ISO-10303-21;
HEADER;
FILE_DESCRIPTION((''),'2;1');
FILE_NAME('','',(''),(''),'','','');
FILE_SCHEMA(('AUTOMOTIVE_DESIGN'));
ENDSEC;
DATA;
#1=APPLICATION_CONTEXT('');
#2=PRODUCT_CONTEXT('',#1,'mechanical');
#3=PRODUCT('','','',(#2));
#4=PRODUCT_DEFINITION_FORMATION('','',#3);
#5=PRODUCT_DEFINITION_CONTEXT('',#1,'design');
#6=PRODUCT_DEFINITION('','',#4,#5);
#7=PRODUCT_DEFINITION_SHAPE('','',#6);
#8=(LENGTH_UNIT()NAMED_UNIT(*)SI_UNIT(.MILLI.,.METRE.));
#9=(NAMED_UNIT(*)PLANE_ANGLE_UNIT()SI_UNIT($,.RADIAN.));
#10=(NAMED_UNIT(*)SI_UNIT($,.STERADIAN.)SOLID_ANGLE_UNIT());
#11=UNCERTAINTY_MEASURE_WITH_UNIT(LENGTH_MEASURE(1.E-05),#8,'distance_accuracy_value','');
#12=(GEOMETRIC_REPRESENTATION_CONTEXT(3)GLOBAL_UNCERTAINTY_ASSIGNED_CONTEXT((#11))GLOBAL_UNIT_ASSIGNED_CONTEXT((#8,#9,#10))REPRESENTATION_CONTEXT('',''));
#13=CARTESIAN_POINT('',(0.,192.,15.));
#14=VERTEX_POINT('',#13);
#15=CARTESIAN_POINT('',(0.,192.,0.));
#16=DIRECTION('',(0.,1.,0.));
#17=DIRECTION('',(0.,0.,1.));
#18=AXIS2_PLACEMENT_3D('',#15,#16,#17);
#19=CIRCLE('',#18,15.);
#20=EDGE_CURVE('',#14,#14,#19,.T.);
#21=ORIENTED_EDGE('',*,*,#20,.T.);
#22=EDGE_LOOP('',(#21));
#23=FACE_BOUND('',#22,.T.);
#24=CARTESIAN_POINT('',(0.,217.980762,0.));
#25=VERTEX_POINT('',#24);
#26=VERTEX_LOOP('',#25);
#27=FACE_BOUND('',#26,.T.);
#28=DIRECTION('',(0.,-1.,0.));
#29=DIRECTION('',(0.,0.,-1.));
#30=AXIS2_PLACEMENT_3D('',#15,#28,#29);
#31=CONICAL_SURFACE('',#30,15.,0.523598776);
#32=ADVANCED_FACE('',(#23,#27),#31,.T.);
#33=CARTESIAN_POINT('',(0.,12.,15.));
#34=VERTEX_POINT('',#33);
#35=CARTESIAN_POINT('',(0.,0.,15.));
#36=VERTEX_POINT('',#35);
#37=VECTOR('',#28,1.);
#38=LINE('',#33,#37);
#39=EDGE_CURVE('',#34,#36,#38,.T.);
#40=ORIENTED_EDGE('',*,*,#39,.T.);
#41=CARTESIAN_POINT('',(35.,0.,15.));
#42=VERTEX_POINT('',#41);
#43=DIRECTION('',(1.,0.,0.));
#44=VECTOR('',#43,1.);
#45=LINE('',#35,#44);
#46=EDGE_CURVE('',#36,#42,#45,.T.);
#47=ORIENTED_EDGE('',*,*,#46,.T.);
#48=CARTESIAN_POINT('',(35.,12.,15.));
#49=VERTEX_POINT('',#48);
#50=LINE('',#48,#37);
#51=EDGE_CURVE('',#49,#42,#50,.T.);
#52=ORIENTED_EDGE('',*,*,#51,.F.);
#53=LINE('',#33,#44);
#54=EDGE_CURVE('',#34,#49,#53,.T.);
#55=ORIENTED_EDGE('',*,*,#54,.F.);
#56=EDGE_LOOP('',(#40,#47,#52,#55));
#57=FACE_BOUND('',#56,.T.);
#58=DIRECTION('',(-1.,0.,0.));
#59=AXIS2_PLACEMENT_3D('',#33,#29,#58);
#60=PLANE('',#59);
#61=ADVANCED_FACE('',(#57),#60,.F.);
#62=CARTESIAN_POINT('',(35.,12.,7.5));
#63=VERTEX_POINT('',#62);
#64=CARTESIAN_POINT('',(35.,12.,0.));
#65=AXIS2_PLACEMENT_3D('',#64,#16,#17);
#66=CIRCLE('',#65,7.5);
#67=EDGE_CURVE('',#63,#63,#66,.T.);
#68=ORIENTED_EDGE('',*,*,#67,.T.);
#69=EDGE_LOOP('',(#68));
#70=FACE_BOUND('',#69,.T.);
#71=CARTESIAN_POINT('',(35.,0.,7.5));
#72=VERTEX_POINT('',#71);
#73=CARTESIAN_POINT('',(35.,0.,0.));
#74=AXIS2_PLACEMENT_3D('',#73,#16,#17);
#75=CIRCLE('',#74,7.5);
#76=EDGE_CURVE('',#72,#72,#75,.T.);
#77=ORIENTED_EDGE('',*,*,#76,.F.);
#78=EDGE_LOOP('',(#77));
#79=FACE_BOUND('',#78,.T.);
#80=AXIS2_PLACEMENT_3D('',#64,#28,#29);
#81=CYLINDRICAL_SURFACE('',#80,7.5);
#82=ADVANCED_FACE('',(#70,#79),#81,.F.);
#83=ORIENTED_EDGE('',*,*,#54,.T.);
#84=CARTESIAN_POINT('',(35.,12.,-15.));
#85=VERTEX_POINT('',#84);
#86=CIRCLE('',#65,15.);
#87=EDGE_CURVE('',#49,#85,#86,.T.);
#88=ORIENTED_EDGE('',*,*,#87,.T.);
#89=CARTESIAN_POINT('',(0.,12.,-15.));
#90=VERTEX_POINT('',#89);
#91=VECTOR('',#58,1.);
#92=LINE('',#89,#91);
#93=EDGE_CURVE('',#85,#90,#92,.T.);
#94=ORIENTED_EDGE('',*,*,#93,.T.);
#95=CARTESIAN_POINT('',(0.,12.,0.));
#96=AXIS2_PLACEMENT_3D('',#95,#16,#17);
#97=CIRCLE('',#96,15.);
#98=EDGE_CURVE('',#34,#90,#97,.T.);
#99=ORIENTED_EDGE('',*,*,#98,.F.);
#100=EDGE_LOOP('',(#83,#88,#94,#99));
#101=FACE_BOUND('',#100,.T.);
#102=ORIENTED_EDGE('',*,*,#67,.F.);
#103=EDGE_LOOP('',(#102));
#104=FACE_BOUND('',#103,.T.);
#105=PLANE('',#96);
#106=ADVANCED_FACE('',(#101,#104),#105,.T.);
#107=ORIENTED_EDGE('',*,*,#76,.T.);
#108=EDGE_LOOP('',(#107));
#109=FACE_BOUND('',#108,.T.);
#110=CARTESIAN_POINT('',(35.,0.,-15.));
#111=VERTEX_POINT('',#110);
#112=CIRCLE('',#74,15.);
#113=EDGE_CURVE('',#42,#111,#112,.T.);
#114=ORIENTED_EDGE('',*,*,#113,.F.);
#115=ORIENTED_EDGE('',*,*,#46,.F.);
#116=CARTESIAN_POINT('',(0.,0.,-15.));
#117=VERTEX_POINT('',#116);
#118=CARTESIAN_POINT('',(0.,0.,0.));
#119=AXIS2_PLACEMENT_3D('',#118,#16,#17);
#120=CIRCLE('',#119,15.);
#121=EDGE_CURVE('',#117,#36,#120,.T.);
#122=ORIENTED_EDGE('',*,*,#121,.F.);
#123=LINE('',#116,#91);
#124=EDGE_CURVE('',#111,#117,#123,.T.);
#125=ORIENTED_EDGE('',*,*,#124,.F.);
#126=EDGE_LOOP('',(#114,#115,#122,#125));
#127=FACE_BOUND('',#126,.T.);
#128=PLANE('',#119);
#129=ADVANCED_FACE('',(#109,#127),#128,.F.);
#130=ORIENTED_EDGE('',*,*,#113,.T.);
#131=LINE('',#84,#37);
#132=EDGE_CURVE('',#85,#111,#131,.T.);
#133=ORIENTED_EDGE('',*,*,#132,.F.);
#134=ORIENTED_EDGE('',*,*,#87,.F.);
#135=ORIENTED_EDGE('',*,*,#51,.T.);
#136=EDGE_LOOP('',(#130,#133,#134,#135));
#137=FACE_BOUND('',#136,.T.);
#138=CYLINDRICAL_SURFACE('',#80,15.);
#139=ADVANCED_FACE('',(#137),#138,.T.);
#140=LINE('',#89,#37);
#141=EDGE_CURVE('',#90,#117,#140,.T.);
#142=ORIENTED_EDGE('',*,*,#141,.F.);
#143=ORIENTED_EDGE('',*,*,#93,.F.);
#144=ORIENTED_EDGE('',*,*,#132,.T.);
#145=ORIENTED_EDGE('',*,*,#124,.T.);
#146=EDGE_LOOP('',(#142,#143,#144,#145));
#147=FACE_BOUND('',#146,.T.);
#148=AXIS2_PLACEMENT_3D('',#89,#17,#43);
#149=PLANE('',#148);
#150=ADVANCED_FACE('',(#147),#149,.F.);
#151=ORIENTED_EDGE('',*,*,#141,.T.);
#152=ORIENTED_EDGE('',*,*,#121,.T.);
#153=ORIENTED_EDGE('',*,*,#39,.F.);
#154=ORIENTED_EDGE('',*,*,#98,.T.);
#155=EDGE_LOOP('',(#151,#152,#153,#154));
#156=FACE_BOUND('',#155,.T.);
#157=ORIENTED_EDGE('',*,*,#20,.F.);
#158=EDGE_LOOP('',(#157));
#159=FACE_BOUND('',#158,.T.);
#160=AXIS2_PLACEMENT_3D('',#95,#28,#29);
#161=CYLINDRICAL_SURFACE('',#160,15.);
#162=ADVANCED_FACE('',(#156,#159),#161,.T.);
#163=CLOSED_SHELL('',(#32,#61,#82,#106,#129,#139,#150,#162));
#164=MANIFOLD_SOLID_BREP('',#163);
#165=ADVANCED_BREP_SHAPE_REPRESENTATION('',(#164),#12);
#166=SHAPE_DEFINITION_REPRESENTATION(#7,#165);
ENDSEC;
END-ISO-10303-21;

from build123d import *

# Parameters (mm, degrees)
SKETCH1_R           = 7.5
BOSS_EXTRUDE1_DEPTH = 12
SKETCH2_R           = 15
BOSS_EXTRUDE2_DEPTH = 180


with BuildPart() as part:
    # Sketch1 → Boss-Extrude1 (new body)
    with BuildSketch(Plane(origin=(0, 0, 0), x_dir=(1, 0, 0), z_dir=(0, 1, 0))):
        with BuildLine():
            Line((0, 15), (35, 15))
            ThreePointArc((35, 15), (50, 0), (35, -15))
            Line((35, -15), (0, -15))
            ThreePointArc((0, -15), (-15, 0), (0, 15))
        make_face()
        with Locations(Location((35, 0, 0), (0, 0, 270))):  # turned: the seam where the file's is
            Circle(SKETCH1_R, mode=Mode.SUBTRACT)
    extrude(amount=BOSS_EXTRUDE1_DEPTH)

    # Sketch2 → Boss-Extrude2 (add)
    with BuildSketch(Plane(origin=(0, 12, 0), x_dir=(1, 0, 0), z_dir=(0, 1, 0))):
        with Locations(Location((0, 0, 0), (0, 0, 270))):  # turned: the seam where the file's is
            Circle(SKETCH2_R)
    extrude(amount=BOSS_EXTRUDE2_DEPTH)

    # Sketch3 → Revolve1 (revolve)
    with BuildSketch(Plane(origin=(0, 0, 0), x_dir=(0, 0, -1), z_dir=(1, 0, 0)), mode=Mode.PRIVATE) as revolve1_sk:
        Polygon((15, 192), (0, 192), (0, 217.980762114), align=None)
    revolve(revolve1_sk.sketch.rotate(Axis((0, -19.330259434, 0), (0, 1, 0)), 180), axis=Axis((0, -19.330259434, 0), (0, 1, 0)))  # turned: the seam where the file's is


solid = part.part
